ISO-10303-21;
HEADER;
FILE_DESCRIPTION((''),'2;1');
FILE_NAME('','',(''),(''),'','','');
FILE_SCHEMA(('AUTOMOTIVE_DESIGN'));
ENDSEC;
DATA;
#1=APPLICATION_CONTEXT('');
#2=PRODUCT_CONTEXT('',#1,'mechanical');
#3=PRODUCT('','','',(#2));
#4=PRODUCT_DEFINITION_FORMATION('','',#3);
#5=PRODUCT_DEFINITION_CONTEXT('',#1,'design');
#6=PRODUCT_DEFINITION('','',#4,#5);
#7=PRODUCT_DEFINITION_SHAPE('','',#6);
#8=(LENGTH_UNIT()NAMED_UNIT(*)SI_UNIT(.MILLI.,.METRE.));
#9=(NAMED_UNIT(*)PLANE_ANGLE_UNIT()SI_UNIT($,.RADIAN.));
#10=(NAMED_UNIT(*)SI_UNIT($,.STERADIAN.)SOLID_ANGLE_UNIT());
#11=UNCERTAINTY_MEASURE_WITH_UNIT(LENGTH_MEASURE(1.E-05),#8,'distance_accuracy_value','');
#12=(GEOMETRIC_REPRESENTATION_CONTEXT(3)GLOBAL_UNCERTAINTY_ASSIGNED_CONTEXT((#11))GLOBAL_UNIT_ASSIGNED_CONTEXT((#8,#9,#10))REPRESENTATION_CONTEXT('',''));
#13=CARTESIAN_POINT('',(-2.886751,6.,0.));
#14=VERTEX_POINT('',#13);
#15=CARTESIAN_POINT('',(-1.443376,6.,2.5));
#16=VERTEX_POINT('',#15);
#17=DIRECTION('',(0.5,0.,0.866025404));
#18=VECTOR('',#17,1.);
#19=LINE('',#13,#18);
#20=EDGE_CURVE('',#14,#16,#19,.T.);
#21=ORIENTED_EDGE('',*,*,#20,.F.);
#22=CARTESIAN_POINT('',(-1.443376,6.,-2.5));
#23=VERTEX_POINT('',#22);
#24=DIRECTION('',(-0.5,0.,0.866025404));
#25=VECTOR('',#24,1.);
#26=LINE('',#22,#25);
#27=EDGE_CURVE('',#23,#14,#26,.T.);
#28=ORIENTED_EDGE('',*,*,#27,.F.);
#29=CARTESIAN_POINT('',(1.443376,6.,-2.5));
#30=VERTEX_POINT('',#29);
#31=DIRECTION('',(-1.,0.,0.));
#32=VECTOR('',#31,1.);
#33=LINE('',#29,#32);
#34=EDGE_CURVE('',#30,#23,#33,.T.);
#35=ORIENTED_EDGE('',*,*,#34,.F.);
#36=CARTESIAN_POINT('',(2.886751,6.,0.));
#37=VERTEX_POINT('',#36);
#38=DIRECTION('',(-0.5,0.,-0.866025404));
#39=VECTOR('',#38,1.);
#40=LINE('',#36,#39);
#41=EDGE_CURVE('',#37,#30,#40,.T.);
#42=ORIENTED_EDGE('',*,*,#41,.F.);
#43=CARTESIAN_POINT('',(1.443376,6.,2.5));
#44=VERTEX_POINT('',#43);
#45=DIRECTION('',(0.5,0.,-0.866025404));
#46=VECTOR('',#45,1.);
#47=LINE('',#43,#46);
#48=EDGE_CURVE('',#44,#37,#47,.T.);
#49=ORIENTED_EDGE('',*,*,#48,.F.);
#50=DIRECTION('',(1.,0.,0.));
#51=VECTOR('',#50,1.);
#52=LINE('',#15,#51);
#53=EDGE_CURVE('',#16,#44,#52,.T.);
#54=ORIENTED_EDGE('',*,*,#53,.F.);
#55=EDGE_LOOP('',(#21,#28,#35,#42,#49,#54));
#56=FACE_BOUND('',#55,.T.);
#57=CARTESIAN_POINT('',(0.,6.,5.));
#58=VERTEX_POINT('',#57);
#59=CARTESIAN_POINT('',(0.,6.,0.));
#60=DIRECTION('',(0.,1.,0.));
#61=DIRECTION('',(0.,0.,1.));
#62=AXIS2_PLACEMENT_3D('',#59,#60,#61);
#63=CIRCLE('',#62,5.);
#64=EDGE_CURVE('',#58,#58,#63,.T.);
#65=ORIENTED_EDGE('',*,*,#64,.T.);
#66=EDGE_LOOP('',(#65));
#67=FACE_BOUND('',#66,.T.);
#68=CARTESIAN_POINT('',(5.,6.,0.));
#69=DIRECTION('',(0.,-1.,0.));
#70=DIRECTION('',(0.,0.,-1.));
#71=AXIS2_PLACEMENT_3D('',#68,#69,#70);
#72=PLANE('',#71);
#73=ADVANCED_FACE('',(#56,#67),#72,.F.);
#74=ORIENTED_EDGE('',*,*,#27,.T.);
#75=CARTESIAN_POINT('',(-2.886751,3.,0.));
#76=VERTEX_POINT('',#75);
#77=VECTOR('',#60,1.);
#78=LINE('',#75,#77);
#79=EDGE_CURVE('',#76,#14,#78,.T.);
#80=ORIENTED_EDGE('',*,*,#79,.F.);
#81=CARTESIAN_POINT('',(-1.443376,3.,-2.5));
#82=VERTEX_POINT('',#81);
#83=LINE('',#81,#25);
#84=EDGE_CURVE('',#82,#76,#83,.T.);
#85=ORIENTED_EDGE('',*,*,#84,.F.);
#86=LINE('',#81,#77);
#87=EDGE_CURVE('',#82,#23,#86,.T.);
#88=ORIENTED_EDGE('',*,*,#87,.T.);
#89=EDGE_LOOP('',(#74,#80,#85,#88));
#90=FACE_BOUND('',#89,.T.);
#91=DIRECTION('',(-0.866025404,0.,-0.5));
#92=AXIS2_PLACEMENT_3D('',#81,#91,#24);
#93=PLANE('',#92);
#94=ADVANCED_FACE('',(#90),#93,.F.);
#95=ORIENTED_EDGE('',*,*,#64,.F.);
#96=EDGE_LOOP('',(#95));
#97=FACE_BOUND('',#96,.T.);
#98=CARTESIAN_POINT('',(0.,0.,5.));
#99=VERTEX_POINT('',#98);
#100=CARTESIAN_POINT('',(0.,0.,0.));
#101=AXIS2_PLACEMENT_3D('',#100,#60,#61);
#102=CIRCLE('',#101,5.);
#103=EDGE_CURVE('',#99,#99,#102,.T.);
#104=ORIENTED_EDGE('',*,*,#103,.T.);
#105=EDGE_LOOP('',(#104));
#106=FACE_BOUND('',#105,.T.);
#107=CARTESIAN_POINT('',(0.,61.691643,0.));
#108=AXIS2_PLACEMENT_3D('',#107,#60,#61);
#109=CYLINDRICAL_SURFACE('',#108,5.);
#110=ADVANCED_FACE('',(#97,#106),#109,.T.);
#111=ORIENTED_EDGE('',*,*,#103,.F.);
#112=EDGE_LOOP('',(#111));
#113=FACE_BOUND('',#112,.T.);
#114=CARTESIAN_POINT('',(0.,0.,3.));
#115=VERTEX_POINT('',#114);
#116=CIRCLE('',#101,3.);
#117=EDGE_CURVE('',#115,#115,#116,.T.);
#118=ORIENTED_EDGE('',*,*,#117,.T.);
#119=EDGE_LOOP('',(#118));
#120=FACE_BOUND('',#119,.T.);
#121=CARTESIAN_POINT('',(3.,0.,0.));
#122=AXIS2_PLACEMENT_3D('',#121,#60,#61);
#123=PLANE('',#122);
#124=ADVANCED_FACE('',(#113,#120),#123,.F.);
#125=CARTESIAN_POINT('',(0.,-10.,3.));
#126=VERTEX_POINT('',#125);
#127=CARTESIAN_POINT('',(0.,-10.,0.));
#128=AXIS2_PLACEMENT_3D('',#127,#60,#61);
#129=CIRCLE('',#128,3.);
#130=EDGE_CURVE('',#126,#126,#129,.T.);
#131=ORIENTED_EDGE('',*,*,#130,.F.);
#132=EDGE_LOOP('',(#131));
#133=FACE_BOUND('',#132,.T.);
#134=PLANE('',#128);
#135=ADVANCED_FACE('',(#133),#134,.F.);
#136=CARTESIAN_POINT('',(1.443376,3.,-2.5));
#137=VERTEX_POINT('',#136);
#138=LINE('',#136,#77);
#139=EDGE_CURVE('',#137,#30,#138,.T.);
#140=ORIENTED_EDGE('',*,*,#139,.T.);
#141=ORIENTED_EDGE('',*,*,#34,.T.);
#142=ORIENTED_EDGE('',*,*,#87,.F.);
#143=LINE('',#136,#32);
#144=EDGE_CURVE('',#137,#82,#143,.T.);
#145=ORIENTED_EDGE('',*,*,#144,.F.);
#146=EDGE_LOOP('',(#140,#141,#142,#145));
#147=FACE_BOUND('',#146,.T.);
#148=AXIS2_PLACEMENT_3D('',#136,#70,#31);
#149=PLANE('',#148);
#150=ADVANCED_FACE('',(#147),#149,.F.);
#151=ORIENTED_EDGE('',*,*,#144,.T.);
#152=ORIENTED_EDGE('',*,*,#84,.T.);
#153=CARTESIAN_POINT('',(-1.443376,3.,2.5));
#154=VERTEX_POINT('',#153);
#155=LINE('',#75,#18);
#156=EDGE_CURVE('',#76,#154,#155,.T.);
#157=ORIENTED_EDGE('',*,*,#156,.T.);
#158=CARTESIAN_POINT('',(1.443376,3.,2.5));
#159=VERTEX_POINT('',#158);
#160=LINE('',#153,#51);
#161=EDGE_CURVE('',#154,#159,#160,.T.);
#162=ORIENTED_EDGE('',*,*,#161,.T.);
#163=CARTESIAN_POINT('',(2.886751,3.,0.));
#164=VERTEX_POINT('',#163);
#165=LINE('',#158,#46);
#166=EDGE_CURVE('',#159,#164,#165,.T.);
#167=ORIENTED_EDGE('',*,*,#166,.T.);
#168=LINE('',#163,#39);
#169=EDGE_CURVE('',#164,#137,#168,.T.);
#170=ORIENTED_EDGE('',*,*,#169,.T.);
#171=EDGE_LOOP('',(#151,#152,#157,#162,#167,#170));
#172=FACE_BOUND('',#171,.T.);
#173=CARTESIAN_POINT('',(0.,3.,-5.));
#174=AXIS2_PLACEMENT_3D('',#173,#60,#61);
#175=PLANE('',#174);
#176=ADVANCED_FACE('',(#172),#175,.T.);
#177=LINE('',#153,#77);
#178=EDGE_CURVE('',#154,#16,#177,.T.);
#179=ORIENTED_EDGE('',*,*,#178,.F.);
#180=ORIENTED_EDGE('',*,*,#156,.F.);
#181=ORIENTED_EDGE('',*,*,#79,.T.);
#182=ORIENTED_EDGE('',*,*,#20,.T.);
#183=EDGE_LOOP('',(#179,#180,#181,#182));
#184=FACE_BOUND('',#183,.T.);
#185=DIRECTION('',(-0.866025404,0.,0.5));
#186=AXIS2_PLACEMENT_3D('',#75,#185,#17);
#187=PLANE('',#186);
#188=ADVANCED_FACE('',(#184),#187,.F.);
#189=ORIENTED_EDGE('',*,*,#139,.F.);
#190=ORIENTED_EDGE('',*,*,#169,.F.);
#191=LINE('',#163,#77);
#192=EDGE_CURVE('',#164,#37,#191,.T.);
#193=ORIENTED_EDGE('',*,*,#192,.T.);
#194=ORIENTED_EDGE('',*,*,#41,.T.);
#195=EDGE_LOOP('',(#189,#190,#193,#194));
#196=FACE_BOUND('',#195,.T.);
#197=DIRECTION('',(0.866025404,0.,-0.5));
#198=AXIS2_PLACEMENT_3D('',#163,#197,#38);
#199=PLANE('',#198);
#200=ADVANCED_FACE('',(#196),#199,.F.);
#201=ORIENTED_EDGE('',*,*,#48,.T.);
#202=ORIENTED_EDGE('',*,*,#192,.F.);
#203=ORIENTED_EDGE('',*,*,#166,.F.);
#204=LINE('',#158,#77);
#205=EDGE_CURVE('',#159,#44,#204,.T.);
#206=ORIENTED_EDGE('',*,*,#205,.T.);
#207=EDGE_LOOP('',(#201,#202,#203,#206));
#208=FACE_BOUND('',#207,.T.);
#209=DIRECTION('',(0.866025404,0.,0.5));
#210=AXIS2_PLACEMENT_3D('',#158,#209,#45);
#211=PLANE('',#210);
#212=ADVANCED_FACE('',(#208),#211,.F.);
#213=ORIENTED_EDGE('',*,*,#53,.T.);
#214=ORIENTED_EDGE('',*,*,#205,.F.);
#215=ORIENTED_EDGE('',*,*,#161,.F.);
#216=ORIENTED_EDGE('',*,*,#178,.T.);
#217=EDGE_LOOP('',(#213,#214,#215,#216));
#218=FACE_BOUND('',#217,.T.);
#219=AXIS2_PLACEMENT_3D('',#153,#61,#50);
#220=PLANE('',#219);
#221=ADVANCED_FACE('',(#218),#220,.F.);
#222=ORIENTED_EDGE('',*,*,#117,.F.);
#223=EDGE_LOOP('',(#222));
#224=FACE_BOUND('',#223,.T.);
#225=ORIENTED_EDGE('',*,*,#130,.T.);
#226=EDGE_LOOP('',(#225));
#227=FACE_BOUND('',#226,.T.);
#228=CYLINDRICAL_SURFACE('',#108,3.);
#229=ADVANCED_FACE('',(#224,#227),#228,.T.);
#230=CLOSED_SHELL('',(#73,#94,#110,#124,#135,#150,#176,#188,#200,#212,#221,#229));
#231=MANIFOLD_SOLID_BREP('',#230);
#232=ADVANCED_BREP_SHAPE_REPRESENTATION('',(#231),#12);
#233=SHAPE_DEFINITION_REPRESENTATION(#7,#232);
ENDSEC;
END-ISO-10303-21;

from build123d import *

# Parameters (mm, degrees)
CUT_EXTRUDE1_DEPTH = 3


with BuildPart() as part:
    # Sketch1 → Revolve1 (revolve)
    with BuildSketch(Plane.XY, mode=Mode.PRIVATE) as revolve1_sk:
        Polygon((0, -10), (3, -10), (3, 0), (5, 0), (5, 6), (0, 6), align=None)
    revolve(revolve1_sk.sketch.rotate(Axis((0, 61.691642626, 0), (0, -1, 0)), 90), axis=Axis((0, 61.691642626, 0), (0, -1, 0)))

    # Sketch2 → Cut-Extrude1 (cut)
    with BuildSketch(Plane(origin=(0, 6, 0), x_dir=(-1, 0, 0), z_dir=(0, 1, 0))):
        Polygon((-1.443375673, -2.5), (1.443375673, -2.5), (2.886751346, 0), (1.443375673, 2.5), (-1.443375673, 2.5), (-2.886751346, 0), align=None)
    extrude(amount=-CUT_EXTRUDE1_DEPTH, mode=Mode.SUBTRACT)


solid = part.part
